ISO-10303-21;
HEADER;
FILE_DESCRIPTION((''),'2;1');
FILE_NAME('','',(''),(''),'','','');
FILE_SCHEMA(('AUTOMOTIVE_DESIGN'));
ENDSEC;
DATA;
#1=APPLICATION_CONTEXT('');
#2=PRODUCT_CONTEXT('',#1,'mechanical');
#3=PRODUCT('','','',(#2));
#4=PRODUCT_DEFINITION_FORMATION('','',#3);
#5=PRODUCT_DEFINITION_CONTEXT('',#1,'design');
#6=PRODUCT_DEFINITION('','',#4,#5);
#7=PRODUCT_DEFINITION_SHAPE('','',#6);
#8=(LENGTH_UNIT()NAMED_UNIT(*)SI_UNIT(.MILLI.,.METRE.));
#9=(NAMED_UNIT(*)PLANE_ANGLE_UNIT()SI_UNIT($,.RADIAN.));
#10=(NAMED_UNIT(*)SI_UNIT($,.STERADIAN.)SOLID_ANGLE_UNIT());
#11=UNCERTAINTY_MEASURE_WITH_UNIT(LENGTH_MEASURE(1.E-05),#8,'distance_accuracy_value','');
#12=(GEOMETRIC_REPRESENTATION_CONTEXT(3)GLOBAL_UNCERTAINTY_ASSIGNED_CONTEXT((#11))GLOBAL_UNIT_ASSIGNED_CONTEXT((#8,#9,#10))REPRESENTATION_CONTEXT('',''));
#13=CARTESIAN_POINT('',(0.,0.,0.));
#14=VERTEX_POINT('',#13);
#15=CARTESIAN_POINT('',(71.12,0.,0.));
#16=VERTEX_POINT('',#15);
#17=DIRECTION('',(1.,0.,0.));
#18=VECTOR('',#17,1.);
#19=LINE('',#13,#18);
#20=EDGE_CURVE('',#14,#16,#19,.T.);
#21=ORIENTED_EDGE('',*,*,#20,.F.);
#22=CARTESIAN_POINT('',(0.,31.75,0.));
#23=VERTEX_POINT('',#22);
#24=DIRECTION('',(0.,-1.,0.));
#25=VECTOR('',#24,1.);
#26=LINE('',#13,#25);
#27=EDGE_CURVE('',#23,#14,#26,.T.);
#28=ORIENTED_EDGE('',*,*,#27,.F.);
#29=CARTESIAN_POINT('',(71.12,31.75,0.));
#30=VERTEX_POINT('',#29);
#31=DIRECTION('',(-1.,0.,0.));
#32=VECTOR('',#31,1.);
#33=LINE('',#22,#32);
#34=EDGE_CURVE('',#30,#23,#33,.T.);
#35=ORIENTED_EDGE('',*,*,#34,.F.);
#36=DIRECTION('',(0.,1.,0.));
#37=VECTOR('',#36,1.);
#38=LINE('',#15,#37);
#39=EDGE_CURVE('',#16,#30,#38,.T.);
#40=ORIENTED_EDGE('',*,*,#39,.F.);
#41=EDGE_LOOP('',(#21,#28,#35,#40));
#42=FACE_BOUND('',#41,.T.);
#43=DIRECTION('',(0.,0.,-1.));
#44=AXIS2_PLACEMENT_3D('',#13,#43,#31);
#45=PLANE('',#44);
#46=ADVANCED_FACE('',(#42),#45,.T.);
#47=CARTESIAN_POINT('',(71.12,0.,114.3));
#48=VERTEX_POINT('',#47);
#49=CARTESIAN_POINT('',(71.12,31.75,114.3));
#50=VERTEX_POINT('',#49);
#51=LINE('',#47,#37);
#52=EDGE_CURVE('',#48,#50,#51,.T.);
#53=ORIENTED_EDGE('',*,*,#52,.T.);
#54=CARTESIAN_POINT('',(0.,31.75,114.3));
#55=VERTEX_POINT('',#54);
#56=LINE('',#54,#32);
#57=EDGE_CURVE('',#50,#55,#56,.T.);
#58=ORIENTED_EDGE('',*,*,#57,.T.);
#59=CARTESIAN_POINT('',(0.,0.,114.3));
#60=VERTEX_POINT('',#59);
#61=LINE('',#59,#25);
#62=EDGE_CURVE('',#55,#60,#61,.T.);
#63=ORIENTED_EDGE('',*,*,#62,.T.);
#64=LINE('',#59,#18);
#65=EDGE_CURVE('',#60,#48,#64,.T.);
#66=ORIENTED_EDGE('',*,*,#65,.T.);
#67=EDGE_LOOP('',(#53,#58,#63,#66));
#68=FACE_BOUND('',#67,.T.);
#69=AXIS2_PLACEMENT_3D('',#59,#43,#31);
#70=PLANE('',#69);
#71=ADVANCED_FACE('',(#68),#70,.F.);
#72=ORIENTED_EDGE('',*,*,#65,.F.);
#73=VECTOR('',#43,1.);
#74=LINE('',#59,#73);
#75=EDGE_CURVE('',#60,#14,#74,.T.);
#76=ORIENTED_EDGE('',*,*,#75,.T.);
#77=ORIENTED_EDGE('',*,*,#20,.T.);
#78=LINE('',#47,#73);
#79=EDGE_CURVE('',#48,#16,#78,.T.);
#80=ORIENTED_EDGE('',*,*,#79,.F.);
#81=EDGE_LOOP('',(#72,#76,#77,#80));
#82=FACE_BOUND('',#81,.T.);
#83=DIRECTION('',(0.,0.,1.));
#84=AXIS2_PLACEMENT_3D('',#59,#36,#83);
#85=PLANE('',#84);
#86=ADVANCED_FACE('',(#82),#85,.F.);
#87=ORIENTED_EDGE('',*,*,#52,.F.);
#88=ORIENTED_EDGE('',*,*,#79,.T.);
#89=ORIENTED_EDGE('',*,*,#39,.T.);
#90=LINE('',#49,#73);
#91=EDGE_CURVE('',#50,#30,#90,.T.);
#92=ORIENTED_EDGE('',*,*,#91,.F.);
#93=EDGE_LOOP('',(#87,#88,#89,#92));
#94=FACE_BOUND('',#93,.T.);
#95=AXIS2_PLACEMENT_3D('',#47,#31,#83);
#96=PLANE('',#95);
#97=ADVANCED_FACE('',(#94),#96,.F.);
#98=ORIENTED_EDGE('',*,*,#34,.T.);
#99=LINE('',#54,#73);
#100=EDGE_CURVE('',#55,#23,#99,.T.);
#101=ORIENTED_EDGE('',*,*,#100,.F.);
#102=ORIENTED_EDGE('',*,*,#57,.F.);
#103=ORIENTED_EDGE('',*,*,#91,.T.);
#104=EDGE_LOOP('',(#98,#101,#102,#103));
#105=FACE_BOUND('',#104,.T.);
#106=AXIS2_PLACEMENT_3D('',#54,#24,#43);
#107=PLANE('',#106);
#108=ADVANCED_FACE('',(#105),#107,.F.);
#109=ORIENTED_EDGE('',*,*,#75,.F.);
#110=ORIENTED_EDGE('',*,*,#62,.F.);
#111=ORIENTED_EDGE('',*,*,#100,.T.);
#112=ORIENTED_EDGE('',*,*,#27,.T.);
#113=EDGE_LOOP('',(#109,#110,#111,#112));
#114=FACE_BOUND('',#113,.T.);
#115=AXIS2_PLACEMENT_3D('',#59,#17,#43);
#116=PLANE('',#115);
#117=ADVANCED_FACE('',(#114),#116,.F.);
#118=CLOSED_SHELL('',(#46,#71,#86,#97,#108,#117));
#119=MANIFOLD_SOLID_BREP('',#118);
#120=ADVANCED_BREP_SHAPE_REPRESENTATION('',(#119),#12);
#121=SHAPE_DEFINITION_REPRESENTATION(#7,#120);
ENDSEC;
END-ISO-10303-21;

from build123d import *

# Parameters (mm, degrees)
SKETCH1_W           = 71.12
SKETCH1_H           = 31.75
BOSS_EXTRUDE1_DEPTH = 114.3


with BuildPart() as part:
    # Sketch1 → Boss-Extrude1 (new body)
    with BuildSketch(Plane.XY):
        with Locations((35.56, 15.875)):
            Rectangle(SKETCH1_W, SKETCH1_H)
    extrude(amount=BOSS_EXTRUDE1_DEPTH)


solid = part.part
